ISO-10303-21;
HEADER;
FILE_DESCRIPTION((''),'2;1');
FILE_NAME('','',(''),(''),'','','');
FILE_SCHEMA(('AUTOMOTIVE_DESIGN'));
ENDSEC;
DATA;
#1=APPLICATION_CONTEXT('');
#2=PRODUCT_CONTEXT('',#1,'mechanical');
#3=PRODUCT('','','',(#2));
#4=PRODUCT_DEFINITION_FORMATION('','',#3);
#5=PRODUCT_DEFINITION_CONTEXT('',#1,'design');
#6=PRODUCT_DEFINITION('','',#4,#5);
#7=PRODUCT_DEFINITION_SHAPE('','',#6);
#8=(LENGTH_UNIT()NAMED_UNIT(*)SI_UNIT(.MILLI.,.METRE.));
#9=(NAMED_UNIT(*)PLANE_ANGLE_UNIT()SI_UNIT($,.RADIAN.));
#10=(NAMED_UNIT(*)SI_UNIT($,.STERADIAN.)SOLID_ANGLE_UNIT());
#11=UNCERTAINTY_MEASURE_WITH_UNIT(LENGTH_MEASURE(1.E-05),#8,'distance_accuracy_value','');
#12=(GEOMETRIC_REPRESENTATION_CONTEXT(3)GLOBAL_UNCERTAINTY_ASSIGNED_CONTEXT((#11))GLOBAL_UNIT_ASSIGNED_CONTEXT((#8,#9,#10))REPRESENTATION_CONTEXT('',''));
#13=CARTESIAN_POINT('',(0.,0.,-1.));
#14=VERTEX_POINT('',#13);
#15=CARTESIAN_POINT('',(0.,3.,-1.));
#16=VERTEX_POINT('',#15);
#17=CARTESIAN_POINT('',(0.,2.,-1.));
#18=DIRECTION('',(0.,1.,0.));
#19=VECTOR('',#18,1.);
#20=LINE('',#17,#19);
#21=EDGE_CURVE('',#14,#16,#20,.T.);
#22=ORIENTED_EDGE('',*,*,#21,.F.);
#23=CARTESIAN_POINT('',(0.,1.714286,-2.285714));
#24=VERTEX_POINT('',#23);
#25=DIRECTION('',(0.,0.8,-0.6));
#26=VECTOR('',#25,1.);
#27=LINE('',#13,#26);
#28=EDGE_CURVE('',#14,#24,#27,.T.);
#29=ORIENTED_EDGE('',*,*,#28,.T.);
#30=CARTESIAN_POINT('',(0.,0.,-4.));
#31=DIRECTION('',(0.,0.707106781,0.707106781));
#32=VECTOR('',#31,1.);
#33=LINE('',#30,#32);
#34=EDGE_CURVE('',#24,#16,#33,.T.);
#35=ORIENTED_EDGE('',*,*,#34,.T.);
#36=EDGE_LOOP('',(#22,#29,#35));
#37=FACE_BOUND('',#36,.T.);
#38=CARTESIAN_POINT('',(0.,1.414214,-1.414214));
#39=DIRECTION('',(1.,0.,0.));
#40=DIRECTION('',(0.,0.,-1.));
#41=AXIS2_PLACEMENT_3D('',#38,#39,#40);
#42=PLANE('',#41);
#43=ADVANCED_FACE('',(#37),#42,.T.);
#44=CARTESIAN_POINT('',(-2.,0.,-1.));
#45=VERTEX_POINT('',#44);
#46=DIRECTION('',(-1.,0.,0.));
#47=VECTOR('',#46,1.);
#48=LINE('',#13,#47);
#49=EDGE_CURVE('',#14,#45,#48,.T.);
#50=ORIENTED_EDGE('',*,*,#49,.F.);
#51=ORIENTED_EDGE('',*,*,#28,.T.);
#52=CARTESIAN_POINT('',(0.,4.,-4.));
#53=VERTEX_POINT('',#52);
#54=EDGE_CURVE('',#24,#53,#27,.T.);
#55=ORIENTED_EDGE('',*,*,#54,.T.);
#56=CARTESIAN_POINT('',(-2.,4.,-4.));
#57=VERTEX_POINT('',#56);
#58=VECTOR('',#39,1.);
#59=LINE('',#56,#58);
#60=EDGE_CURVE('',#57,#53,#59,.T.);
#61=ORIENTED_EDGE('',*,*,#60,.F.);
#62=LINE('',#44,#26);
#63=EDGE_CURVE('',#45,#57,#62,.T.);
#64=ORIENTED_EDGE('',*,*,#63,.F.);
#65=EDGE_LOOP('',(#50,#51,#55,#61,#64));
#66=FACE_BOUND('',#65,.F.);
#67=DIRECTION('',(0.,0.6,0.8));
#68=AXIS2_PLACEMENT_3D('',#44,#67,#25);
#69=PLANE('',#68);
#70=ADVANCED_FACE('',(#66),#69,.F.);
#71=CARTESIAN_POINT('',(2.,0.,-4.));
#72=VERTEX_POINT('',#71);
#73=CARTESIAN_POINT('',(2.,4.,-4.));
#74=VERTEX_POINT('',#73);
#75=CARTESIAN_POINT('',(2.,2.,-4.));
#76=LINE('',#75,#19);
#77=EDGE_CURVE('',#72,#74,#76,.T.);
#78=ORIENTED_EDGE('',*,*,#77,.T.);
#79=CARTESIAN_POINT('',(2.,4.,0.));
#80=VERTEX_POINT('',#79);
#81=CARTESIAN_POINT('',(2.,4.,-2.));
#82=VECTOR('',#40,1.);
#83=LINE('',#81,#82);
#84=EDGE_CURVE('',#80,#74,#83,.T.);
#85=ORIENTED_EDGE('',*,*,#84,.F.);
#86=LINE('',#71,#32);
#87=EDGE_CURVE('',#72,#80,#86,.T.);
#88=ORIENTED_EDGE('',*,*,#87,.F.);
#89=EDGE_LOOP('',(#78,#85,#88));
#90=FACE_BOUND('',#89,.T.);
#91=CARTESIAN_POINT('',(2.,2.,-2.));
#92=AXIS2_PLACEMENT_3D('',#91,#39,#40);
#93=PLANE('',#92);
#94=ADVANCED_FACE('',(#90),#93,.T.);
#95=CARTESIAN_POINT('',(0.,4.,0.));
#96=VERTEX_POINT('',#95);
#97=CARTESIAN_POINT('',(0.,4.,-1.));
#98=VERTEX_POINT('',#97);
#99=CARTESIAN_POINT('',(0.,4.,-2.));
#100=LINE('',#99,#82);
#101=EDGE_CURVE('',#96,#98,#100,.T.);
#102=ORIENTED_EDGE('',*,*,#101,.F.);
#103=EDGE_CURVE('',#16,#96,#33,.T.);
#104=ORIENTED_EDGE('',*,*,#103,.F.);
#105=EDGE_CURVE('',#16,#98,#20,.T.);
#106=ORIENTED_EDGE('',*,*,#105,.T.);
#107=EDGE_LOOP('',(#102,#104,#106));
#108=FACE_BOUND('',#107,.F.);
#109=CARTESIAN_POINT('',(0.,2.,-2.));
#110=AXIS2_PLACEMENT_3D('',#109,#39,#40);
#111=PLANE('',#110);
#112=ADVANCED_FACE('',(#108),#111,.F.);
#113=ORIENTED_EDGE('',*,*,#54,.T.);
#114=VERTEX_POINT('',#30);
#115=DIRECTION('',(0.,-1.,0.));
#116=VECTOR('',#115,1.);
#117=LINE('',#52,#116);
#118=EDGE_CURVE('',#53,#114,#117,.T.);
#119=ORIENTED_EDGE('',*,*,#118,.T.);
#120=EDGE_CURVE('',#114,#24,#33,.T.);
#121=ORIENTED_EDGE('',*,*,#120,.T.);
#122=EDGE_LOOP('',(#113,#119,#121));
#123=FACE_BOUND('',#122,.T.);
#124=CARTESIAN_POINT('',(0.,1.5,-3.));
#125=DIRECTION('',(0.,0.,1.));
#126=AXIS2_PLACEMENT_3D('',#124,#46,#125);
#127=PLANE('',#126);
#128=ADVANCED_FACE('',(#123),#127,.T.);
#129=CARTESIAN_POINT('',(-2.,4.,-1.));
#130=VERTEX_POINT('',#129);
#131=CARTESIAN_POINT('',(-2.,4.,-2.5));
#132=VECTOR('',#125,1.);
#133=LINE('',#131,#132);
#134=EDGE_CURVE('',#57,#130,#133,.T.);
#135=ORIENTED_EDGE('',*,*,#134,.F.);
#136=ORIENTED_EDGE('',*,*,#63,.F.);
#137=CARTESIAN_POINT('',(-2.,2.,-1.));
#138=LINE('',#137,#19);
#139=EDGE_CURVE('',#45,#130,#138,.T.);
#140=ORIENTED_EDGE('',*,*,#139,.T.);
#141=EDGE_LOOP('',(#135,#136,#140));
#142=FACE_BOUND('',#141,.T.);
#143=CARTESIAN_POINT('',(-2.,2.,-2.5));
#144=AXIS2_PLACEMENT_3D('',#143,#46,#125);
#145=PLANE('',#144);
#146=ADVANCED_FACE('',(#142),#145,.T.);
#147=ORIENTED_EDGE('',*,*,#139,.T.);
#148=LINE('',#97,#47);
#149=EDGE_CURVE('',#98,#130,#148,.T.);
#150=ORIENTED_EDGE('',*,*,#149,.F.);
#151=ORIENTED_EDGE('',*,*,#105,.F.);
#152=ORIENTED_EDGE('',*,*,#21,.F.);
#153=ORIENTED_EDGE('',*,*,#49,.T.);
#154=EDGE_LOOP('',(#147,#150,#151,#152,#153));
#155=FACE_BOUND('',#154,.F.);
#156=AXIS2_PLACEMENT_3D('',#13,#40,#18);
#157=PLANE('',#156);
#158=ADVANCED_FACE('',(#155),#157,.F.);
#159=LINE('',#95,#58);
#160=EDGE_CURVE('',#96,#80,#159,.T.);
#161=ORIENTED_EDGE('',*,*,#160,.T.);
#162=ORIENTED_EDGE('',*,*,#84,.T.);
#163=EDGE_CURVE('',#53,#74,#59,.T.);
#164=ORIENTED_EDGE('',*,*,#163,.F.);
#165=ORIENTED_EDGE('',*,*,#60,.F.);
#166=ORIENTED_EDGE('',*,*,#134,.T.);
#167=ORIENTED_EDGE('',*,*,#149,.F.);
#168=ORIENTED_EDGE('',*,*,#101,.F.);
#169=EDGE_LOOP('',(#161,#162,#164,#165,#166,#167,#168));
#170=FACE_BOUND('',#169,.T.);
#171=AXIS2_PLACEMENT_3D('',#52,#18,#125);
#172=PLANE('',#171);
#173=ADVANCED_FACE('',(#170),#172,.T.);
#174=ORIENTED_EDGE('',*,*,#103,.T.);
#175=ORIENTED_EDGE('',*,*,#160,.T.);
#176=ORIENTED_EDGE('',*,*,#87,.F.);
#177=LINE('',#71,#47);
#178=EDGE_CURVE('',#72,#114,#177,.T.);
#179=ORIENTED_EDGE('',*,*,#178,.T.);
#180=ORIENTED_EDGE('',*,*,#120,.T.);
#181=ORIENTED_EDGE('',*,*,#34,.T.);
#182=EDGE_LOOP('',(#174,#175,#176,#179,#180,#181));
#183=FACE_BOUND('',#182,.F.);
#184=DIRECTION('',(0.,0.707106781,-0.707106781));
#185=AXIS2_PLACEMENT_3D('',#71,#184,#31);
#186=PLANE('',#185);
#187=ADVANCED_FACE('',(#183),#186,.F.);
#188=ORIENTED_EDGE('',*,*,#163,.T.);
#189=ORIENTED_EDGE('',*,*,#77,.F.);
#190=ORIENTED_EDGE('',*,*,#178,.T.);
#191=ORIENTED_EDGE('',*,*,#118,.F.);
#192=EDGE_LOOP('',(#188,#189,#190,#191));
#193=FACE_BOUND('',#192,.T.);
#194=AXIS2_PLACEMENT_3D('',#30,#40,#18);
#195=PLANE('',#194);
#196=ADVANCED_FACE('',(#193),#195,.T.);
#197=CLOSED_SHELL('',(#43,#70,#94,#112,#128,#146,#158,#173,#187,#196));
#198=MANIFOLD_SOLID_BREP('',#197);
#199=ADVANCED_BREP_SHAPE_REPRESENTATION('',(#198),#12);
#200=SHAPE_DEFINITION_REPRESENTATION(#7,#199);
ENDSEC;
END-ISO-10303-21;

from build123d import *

# Parameters (mm, degrees)
SKETCH1_W           = 4
SKETCH1_H           = 4
BOSS_EXTRUDE1_DEPTH = 2
SKETCH2_W           = 3
SKETCH2_H           = 4
BOSS_EXTRUDE2_DEPTH = 2
CUT_EXTRUDE1_DEPTH  = 2
CUT_EXTRUDE2_DEPTH  = 2


with BuildPart() as part:
    # Sketch1 → Boss-Extrude1 (new body)
    with BuildSketch(Plane(origin=(0, 0, 0), x_dir=(0, 0, -1), z_dir=(1, 0, 0))):
        with Locations((2, 2)):
            Rectangle(SKETCH1_W, SKETCH1_H)
    extrude(amount=BOSS_EXTRUDE1_DEPTH)

    # Sketch2 → Boss-Extrude2 (add)
    with BuildSketch(Plane.ZY):
        with Locations((-2.5, 2)):
            Rectangle(SKETCH2_W, SKETCH2_H)
    extrude(amount=BOSS_EXTRUDE2_DEPTH)

    # Sketch3 → Cut-Extrude1 (cut)
    with BuildSketch(Plane(origin=(2, 0, 0), x_dir=(0, 0, -1), z_dir=(1, 0, 0))):
        Polygon((4, 0), (0, 4), (0, 0), align=None)
    extrude(amount=-CUT_EXTRUDE1_DEPTH, mode=Mode.SUBTRACT)

    # Sketch4 → Cut-Extrude2 (cut)
    with BuildSketch(Plane.ZY.offset(2)):
        Polygon((-1, 0), (-4, 4), (-4, 0), align=None)
    extrude(amount=-CUT_EXTRUDE2_DEPTH, mode=Mode.SUBTRACT)


solid = part.part
